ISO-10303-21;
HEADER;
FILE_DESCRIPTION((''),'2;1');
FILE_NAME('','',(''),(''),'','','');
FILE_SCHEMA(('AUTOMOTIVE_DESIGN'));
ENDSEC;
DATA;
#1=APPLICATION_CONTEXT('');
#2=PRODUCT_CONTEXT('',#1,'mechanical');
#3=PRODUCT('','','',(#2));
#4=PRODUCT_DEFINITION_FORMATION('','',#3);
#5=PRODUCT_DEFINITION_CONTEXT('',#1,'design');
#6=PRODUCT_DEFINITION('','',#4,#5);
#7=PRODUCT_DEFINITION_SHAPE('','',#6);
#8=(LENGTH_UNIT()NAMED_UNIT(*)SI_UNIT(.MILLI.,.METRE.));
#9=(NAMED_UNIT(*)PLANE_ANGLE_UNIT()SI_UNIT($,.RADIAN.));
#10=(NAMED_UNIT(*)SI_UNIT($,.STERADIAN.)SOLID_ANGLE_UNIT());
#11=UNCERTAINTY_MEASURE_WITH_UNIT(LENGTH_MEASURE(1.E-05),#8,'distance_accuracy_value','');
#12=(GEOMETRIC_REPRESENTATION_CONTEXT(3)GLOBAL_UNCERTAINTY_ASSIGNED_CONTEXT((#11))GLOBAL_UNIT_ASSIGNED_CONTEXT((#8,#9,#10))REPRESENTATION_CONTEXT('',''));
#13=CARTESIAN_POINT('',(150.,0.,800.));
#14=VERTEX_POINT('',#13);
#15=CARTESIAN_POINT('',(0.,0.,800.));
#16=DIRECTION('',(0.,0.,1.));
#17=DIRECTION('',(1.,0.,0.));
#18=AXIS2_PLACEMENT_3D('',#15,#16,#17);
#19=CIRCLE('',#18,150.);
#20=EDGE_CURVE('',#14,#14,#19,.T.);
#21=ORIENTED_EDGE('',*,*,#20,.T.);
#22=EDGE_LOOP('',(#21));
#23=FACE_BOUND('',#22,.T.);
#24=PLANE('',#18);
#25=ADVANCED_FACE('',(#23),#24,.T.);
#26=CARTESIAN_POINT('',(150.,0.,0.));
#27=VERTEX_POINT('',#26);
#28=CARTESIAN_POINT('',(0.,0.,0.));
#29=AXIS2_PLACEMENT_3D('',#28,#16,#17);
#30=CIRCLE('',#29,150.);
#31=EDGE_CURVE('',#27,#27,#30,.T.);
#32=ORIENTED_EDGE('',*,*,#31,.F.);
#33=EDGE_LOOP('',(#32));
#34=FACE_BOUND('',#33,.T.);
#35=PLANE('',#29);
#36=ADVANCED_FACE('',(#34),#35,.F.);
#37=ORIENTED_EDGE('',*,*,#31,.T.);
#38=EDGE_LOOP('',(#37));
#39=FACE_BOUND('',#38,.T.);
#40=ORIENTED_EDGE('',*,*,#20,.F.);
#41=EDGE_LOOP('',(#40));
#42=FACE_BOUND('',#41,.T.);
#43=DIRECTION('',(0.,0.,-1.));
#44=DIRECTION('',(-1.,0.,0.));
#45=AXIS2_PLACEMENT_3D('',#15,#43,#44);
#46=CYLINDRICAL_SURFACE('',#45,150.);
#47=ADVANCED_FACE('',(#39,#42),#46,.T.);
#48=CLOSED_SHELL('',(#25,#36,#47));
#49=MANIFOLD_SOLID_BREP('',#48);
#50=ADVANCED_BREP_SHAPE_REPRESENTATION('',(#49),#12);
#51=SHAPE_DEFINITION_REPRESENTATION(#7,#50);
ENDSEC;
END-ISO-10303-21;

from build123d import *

# Parameters (mm, degrees)
SKETCH_1_R      = 150
EXTRUDE_1_DEPTH = 800


with BuildPart() as part:
    # 草图1 → 凸台-拉伸1 (new body)
    with BuildSketch(Plane.XY):
        Circle(SKETCH_1_R)
    extrude(amount=EXTRUDE_1_DEPTH)


solid = part.part
